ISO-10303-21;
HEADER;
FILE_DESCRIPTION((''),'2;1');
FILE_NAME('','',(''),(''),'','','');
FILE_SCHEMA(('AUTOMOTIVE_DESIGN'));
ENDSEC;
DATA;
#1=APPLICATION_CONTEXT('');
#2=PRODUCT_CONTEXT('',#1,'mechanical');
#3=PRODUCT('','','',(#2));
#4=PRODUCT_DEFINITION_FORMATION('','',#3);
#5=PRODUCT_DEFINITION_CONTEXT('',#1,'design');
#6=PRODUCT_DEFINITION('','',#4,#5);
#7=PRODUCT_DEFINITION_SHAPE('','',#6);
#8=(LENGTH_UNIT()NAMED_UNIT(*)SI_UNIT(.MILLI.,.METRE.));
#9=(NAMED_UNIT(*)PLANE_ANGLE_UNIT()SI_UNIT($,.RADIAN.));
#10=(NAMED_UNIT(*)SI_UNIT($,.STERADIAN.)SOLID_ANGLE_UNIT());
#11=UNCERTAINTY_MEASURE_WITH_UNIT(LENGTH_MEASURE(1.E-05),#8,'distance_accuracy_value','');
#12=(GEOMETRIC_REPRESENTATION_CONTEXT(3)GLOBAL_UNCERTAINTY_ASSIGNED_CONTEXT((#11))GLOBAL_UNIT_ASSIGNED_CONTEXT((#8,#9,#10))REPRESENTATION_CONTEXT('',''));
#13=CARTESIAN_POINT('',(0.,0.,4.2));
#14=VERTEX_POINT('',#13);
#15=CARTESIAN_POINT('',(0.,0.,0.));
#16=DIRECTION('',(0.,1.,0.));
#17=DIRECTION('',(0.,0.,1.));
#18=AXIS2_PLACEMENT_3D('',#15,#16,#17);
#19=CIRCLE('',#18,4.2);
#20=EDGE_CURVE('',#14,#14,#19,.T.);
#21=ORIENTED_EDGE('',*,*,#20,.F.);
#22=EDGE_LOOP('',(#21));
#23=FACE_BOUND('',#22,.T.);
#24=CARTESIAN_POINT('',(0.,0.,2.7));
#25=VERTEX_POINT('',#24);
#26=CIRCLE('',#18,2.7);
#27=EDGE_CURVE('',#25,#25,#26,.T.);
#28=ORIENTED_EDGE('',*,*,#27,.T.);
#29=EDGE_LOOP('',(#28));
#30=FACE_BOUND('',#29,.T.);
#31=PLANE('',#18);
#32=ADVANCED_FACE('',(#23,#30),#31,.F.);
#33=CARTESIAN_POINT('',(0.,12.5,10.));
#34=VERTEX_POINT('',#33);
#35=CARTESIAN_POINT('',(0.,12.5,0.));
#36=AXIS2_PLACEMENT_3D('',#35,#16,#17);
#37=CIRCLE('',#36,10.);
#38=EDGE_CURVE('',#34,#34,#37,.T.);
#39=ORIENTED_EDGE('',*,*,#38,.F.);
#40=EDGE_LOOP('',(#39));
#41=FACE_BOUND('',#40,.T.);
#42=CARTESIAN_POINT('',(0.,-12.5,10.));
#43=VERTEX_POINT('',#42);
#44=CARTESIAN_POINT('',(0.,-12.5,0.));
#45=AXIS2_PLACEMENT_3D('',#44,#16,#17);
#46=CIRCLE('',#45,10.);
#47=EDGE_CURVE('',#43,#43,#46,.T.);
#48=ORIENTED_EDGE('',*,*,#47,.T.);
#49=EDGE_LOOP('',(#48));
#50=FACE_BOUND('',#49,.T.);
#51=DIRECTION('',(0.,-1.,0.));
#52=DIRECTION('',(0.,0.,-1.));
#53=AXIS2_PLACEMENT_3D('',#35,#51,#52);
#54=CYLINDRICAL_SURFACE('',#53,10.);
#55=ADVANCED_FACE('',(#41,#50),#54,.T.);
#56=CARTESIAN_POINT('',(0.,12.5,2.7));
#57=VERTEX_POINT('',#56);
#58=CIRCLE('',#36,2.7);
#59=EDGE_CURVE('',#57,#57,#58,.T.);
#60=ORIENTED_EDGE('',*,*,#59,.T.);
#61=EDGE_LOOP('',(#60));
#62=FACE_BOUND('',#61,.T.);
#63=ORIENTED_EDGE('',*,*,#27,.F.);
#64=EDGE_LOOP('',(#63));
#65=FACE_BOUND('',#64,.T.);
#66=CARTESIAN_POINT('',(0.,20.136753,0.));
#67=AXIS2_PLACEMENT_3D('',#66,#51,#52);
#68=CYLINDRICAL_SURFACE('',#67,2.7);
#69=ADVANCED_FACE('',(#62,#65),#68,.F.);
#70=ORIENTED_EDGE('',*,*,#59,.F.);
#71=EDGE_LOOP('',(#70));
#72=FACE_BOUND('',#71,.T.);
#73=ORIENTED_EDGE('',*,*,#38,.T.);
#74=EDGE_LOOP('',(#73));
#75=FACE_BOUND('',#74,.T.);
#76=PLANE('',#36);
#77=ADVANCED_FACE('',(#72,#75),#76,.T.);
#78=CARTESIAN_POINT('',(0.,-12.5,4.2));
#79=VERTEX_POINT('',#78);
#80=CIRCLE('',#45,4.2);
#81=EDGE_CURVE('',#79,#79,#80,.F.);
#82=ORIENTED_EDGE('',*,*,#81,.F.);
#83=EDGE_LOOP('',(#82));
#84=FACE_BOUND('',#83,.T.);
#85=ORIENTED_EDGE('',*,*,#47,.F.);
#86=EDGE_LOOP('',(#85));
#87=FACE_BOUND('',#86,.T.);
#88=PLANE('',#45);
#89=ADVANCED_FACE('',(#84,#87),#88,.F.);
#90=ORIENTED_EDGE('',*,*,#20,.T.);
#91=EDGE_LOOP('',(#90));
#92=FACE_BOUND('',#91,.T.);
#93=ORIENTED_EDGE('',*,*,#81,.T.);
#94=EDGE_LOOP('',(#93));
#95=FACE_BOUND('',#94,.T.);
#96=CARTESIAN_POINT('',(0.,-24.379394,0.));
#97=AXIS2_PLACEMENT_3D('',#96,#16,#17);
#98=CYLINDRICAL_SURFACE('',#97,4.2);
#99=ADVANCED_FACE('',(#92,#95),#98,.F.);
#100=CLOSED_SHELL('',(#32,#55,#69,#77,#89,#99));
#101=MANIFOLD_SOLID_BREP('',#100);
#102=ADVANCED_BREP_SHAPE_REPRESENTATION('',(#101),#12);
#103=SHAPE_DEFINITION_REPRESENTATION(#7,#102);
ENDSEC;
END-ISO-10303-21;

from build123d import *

# Parameters (mm, degrees)
SKETCH1_R           = 10
BOSS_EXTRUDE1_DEPTH = 12.5
SKETCH2_R           = 2.7
CUT_EXTRUDE1_DEPTH  = 12.5
SKETCH3_R           = 4.2
CUT_EXTRUDE2_DEPTH  = 12.5


with BuildPart() as part:
    # Sketch1 → Boss-Extrude1 (new, symmetric)
    with BuildSketch(Plane(origin=(0, 0, 0), x_dir=(1, 0, 0), z_dir=(0, 1, 0))):
        with Locations(Location((0, 0, 0), (0, 0, 270))):
            Circle(SKETCH1_R)
    extrude(amount=BOSS_EXTRUDE1_DEPTH, both=True)

    # Sketch2 → Cut-Extrude1 (cut)
    with BuildSketch(Plane(origin=(0, 0, 0), x_dir=(1, 0, 0), z_dir=(0, 1, 0))):
        with Locations(Location((0, 0, 0), (0, 0, 270))):
            Circle(SKETCH2_R)
    extrude(amount=CUT_EXTRUDE1_DEPTH, mode=Mode.SUBTRACT)

    # Sketch3 → Cut-Extrude2 (cut)
    with BuildSketch(Plane(origin=(0, 0, 0), x_dir=(1, 0, 0), z_dir=(0, 1, 0))):
        with Locations(Location((0, 0, 0), (0, 0, 270))):
            Circle(SKETCH3_R)
    extrude(amount=-CUT_EXTRUDE2_DEPTH, mode=Mode.SUBTRACT)


solid = part.part
